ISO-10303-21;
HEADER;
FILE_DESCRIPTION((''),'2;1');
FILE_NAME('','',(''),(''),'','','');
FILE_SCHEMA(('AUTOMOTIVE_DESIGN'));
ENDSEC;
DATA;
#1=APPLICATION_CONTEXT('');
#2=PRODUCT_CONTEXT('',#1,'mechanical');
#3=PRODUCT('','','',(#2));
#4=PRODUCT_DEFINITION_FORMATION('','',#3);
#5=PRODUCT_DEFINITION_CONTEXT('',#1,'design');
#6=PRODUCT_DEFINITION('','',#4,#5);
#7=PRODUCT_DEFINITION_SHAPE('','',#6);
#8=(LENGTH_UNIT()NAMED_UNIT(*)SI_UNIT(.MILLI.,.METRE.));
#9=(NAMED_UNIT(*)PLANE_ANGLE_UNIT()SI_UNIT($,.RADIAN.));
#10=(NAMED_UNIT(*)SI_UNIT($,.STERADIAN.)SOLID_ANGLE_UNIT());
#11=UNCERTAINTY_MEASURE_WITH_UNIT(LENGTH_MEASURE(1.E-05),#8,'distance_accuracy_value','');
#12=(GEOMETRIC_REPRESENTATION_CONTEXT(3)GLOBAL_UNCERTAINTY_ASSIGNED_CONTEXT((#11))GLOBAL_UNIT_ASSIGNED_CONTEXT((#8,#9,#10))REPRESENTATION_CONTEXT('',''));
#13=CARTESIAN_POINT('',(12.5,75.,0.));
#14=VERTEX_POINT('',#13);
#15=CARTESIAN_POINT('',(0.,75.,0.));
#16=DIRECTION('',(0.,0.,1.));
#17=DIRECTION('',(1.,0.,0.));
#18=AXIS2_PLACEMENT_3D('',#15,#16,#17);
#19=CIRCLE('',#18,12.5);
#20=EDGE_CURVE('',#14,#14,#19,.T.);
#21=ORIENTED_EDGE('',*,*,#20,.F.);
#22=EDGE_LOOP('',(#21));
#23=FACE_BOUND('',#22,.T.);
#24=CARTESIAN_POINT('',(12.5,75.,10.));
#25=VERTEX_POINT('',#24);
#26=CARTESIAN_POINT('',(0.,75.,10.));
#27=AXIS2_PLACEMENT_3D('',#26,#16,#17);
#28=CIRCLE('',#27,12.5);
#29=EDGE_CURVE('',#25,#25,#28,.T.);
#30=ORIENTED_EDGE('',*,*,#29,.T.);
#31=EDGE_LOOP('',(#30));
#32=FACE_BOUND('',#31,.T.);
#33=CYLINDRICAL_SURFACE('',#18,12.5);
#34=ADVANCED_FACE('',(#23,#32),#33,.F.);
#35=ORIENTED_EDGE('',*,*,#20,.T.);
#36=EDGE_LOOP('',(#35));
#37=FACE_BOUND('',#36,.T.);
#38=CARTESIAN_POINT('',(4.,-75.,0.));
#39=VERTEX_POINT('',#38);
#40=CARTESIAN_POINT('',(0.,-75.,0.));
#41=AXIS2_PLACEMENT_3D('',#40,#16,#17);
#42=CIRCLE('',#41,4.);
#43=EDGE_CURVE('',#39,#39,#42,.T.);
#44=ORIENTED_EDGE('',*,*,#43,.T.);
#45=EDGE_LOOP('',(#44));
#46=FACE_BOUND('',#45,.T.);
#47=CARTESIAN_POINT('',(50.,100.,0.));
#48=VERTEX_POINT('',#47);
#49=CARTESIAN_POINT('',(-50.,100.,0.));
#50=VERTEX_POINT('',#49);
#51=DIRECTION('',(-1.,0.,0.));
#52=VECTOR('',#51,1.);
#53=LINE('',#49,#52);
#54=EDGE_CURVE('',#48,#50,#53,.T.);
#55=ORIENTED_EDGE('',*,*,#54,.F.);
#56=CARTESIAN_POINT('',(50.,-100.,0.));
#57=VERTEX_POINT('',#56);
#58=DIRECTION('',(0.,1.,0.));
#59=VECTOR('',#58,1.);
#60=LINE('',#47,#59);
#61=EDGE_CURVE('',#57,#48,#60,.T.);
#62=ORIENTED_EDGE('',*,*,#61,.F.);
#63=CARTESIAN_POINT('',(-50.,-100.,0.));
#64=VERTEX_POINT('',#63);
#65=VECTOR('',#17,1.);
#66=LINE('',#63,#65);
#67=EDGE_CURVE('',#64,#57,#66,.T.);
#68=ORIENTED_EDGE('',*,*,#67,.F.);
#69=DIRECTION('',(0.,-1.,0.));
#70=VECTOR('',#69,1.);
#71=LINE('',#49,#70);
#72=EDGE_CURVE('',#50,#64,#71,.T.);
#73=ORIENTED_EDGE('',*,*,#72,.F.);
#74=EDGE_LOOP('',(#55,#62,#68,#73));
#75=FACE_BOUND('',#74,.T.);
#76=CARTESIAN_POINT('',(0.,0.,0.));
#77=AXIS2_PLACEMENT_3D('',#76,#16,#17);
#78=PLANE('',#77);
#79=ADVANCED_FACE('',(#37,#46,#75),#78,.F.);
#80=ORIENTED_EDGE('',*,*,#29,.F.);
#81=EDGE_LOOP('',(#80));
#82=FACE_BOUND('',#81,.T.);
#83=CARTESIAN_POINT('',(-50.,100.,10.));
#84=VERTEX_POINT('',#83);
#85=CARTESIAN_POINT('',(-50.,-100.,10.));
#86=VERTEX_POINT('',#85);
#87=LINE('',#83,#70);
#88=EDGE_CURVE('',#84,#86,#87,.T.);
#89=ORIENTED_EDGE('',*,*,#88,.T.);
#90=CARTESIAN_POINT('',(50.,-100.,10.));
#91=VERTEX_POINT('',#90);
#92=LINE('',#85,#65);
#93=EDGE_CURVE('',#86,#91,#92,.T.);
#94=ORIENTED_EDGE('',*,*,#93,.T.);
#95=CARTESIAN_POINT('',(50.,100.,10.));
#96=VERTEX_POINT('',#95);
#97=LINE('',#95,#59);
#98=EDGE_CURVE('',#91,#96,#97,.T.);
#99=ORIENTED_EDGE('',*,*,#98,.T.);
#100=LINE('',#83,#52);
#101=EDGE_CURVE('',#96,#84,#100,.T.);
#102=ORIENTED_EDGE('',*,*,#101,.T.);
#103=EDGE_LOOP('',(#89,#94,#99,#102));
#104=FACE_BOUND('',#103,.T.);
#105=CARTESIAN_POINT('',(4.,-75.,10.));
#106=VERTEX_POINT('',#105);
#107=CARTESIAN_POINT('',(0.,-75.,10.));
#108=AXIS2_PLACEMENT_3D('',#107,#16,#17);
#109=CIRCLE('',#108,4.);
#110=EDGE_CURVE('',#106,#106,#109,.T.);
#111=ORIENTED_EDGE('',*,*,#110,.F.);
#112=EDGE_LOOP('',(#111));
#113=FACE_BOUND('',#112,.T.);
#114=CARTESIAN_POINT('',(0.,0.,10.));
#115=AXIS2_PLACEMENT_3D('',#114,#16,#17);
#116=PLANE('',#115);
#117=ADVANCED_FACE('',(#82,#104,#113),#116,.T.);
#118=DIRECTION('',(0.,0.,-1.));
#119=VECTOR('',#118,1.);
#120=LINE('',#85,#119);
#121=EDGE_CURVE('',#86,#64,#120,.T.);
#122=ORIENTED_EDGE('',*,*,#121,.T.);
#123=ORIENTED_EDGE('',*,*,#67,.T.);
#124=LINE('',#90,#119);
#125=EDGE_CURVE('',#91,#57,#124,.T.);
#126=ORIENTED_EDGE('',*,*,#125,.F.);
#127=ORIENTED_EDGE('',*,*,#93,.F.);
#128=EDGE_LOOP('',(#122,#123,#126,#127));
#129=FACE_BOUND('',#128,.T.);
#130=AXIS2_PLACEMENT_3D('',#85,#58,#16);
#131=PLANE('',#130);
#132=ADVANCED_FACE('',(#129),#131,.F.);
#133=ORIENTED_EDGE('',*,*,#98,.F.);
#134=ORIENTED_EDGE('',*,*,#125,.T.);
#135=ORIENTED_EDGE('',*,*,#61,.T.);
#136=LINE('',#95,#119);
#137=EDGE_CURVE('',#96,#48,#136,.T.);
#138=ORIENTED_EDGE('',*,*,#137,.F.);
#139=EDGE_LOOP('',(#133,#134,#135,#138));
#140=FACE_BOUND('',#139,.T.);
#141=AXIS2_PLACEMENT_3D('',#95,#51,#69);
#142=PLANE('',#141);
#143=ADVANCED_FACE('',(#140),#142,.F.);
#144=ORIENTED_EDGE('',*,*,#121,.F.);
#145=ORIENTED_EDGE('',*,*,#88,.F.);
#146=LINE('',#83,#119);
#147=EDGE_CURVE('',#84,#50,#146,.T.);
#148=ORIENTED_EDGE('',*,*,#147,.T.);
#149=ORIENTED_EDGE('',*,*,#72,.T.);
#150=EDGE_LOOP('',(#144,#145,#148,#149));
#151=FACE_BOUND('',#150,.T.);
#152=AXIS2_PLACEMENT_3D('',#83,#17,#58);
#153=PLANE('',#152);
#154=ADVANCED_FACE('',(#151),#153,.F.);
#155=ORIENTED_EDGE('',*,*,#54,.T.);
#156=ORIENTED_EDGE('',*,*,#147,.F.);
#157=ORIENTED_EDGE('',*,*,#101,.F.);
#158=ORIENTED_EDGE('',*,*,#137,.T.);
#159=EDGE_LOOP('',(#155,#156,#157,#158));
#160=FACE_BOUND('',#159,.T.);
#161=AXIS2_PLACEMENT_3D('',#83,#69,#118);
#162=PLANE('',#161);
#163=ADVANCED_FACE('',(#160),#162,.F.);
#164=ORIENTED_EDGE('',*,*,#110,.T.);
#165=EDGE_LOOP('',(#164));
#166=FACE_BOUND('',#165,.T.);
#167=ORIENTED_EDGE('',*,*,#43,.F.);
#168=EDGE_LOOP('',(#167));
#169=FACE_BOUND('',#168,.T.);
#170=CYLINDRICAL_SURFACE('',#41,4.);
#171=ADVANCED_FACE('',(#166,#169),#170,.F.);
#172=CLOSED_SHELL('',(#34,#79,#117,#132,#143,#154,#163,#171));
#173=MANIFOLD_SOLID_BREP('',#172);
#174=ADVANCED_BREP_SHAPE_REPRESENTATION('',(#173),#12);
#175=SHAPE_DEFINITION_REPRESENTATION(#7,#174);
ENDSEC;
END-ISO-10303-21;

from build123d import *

# Parameters (mm, degrees)
SKETCH1_W           = 100
SKETCH1_H           = 200
BOSS_EXTRUDE1_DEPTH = 10
SKETCH3_R           = 4
CUT_EXTRUDE2_DEPTH  = 113.249721603
SKETCH4_R           = 4
CUT_EXTRUDE3_DEPTH  = 113.249721603
SKETCH5_R           = 12.5
CUT_EXTRUDE4_DEPTH  = 113.249721603


with BuildPart() as part:
    # Sketch1 → Boss-Extrude1 (new body)
    with BuildSketch(Plane.XY):
        Rectangle(SKETCH1_W, SKETCH1_H)
    extrude(amount=BOSS_EXTRUDE1_DEPTH)

    # Sketch3 → Cut-Extrude2 (cut, through all)
    with BuildSketch(Plane.XY.offset(10)):
        with Locations((0, -75)):
            Circle(SKETCH3_R)
    extrude(amount=-CUT_EXTRUDE2_DEPTH, mode=Mode.SUBTRACT)

    # Sketch4 → Cut-Extrude3 (cut, through all)
    with BuildSketch(Plane.XY.offset(10)):
        with Locations((0, 75)):
            Circle(SKETCH4_R)
    extrude(amount=-CUT_EXTRUDE3_DEPTH, mode=Mode.SUBTRACT)

    # Sketch5 → Cut-Extrude4 (cut, through all)
    with BuildSketch(Plane.XY.offset(10)):
        with Locations((0, 75)):
            Circle(SKETCH5_R)
    extrude(amount=-CUT_EXTRUDE4_DEPTH, mode=Mode.SUBTRACT)


solid = part.part
